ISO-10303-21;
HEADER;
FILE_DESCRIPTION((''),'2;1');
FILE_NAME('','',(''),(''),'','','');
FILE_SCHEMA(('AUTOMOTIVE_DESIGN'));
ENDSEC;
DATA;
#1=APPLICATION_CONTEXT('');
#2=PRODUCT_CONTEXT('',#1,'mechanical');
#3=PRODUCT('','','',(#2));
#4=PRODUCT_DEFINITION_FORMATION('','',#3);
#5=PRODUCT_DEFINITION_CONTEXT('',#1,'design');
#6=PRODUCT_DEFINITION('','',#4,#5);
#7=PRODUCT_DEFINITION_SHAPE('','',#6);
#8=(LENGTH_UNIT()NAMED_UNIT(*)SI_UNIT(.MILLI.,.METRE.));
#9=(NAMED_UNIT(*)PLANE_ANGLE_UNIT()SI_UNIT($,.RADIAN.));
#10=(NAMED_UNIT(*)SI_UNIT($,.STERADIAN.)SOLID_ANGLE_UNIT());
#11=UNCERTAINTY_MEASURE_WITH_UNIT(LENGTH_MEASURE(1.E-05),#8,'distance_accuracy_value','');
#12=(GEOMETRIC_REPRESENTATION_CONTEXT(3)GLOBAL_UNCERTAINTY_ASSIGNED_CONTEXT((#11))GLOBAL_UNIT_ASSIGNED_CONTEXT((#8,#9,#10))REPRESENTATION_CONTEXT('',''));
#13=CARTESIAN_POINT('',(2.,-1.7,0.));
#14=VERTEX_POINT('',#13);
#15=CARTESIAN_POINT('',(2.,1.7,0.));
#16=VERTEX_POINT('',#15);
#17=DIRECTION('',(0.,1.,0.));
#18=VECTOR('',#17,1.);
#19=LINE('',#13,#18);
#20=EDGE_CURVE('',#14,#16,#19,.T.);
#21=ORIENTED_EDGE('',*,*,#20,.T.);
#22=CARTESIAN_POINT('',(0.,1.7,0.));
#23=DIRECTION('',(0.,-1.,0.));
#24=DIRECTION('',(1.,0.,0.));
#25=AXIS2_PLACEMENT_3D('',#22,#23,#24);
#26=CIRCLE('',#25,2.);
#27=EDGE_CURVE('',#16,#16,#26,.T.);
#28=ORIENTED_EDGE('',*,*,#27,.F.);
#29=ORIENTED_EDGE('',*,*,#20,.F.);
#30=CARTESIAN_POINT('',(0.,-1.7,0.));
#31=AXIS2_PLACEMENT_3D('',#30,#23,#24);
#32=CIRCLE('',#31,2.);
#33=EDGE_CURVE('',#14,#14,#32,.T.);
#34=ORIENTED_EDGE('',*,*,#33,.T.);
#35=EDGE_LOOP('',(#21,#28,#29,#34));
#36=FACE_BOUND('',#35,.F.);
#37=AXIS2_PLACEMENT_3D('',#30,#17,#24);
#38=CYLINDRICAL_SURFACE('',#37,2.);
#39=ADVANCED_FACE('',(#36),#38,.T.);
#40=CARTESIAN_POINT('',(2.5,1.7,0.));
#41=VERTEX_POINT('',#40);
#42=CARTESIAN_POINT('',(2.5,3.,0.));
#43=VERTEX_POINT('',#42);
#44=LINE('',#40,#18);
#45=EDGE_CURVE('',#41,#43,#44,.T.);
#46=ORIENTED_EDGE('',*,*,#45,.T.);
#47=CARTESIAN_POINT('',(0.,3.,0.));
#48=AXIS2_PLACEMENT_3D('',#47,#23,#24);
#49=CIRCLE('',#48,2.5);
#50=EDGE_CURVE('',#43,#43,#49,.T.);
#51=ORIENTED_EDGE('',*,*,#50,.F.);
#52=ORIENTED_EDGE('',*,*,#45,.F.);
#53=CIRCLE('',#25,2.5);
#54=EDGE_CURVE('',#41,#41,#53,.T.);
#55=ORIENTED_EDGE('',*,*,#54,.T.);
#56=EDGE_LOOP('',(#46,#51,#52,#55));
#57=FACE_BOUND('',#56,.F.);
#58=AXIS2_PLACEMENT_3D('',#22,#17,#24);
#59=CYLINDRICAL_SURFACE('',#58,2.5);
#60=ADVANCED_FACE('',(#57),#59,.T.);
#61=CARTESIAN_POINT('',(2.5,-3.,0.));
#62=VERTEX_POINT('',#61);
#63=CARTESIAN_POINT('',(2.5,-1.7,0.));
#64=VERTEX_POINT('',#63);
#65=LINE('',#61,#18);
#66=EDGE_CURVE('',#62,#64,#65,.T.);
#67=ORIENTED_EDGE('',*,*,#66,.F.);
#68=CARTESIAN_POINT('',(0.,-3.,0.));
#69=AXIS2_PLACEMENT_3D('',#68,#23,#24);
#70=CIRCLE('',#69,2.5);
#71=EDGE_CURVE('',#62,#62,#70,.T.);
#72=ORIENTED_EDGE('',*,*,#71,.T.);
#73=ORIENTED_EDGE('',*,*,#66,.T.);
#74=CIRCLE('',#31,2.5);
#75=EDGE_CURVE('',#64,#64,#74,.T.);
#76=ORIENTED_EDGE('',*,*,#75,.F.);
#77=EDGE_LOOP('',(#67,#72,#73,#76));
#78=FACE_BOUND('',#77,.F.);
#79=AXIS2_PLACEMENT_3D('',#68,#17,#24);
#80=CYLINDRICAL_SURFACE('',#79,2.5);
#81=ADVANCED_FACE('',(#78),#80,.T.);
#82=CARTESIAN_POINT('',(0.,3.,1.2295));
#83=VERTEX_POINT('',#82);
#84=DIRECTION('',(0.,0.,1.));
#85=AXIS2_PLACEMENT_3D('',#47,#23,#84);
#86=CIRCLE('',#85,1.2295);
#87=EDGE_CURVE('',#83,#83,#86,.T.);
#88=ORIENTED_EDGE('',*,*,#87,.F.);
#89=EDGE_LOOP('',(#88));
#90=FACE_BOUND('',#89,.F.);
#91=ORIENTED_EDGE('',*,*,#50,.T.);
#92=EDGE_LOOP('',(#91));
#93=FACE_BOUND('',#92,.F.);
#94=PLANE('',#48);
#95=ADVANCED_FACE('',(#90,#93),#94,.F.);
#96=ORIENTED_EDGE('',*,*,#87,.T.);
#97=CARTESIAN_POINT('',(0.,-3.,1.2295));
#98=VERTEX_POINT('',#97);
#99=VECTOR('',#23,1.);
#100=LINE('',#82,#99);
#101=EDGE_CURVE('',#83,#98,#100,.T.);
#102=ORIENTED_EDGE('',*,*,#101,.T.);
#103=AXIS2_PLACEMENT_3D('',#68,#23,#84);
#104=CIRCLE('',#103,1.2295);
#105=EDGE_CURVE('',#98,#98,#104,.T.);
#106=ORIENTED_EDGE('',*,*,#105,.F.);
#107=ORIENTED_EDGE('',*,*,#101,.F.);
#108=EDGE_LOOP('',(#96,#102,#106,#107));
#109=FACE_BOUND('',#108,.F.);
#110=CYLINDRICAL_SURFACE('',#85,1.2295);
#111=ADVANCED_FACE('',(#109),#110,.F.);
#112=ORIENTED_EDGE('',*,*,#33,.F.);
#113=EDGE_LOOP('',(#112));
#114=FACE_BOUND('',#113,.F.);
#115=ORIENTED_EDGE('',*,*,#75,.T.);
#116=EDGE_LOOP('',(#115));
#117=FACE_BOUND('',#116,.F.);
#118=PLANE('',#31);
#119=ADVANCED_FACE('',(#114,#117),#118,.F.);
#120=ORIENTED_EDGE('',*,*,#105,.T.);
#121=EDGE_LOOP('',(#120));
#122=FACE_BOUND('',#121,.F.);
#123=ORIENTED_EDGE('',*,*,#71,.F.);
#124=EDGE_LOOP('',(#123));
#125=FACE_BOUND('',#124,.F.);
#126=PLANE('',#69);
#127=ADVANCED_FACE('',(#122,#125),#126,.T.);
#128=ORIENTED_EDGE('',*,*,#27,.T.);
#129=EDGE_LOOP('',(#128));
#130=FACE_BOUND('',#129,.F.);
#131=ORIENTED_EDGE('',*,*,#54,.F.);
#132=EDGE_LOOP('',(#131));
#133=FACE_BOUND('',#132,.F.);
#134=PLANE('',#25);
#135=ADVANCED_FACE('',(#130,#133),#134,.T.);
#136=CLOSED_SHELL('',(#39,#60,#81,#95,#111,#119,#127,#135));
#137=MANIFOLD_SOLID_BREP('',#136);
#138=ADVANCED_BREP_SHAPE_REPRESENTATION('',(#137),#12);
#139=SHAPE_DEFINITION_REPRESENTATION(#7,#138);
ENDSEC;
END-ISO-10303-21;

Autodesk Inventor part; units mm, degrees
ref_plane "YZ Plane" through (0, 0, 0) normal (1, 0, 0) x (0, 1, 0)
ref_plane "XZ Plane" through (0, 0, 0) normal (0, 1, 0) x (-1, 0, 0)
ref_plane "XY Plane" through (0, 0, 0) normal (0, 0, 1) x (1, 0, 0)
sketch "Sketch1" plane through (0, 0, 0) normal (0, 0, 1) x (1, 0, 0)
  line L0 (0, 3) -> (0, -3)
  line L1 (0, -3) -> (2.5, -3)
  line L2 (2.5, -3) -> (2.5, -1.7)
  line L3 (2.5, -1.7) -> (2, -1.7)
  line L4 (2, -1.7) -> (2, 1.7)
  line L5 (2, 1.7) -> (2.5, 1.7)
  line L6 (2.5, 1.7) -> (2.5, 3)
  line L7 (2.5, 3) -> (0, 3)
  point P0 (0, 0)
  dimension "d0" = 6
  dimension "d1" = 3
  dimension "d2" = 4
  dimension "d3" = 5
  dimension "d4" = 1.3
  dimension "d5" = 1.3
revolve "Revolution1" add sketch "Sketch1" angle 360 about axis through (0, 3, 0) along (0, -1, 0)
sketch "Sketch2" plane through (0, 3, 0) normal (0, 1, 0) x (1, 0, 0)
  circle A0 centre (0, 0) radius 2 projected
  point P0 (0, 0)
hole "Hole1" at (0, 3, 0) direction (0, -1, 0) diameter 2.459 depth 6 thread size "M3x0.5" class "6H" standard "ANSI Metric M Profile"
equation "\"d1\" = 0.5 * d0"
equation "\"d5\" = d4"
properties part number "M3_tread_insert"
